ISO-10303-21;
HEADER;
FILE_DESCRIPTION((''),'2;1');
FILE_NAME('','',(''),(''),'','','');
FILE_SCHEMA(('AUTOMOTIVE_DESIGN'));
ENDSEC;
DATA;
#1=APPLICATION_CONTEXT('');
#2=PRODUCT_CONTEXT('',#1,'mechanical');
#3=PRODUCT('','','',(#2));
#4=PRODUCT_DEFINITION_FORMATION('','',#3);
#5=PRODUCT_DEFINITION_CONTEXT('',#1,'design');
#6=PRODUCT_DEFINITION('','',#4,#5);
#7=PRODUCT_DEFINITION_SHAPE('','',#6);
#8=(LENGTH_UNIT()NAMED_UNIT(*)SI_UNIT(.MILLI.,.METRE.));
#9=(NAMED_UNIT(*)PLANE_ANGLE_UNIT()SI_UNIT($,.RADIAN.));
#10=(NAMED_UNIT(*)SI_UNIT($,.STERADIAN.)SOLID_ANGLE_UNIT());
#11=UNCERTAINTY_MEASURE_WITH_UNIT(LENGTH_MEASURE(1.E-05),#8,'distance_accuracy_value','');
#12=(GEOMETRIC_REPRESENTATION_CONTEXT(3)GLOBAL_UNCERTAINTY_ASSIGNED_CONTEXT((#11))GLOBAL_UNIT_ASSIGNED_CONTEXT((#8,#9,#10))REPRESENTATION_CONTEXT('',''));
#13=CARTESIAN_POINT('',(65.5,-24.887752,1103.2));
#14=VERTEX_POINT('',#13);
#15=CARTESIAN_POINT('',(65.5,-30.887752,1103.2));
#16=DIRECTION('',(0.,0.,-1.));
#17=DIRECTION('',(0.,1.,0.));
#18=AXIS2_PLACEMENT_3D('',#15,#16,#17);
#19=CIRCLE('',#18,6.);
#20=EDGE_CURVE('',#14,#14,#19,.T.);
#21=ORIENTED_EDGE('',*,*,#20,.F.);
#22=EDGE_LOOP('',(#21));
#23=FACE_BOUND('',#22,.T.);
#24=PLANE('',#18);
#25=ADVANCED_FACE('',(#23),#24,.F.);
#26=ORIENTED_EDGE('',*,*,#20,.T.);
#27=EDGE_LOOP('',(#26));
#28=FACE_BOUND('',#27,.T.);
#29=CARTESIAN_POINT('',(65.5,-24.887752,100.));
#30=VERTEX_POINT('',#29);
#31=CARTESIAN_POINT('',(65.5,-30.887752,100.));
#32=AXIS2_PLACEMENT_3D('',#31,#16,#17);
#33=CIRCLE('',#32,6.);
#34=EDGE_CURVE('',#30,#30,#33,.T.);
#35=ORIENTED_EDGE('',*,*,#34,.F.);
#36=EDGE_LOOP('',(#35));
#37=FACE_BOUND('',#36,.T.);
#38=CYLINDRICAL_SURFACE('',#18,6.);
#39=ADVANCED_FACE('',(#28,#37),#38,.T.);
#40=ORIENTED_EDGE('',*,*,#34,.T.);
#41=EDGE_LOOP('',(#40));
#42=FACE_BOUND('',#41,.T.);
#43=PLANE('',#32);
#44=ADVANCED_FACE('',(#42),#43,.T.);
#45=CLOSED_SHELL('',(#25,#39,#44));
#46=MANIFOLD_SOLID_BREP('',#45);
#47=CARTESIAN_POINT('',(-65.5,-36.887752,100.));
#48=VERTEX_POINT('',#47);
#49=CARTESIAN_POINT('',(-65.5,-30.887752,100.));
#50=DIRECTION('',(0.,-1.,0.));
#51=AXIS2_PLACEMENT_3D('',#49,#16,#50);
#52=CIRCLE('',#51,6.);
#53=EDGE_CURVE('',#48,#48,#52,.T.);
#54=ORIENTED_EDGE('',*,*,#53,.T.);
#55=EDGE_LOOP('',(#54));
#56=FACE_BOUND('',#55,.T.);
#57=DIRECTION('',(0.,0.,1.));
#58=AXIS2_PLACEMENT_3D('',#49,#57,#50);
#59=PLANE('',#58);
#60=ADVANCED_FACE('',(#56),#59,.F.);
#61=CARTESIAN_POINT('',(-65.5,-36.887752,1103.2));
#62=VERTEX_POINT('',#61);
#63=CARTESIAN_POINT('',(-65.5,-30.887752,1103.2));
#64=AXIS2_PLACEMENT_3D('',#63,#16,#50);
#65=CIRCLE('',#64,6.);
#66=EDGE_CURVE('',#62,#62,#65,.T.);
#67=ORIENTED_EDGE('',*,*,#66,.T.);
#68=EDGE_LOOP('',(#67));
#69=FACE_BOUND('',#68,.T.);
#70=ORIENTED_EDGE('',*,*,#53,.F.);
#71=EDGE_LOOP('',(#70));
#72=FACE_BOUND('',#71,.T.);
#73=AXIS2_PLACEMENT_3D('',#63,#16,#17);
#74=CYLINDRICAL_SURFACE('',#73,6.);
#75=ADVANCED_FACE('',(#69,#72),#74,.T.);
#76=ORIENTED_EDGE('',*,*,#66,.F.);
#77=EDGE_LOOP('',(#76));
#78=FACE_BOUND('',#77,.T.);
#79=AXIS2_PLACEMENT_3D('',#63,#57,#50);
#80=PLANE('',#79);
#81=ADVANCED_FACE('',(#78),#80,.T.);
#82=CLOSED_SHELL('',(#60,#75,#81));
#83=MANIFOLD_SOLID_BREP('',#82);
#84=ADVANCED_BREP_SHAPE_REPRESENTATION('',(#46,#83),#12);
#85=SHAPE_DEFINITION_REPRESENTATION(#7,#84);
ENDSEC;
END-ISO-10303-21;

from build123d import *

# Parameters (mm, degrees)
BOSS_EXTRUDE2_DEPTH        = 100
BOSS_EXTRUDE2_DEPTH_BACK   = 903.2
SKETCH1_R                  = 6
BOSS_EXTRUDE2_2_DEPTH      = 100
BOSS_EXTRUDE2_2_DEPTH_BACK = 903.2


with BuildPart() as part:
    # Sketch1 → Boss-Extrude2 (new, two sides: drawn at the far end of the back side and taken through both)
    with BuildSketch(Plane(origin=(0, 0, 200), x_dir=(-1, 0, 0), z_dir=(0, 0, -1)).offset(-BOSS_EXTRUDE2_DEPTH_BACK)):
        with Locations(Location((-65.5, -30.887752409, 0), (0, 0, 90))):
            Circle(SKETCH1_R)
    extrude(amount=BOSS_EXTRUDE2_DEPTH + BOSS_EXTRUDE2_DEPTH_BACK)


with BuildPart() as body_2:
    # Sketch1 → Boss-Extrude2 2 (new, two sides: drawn at the far end of the back side and taken through both)
    with BuildSketch(Plane(origin=(0, 0, 200), x_dir=(-1, 0, 0), z_dir=(0, 0, -1)).offset(-BOSS_EXTRUDE2_2_DEPTH_BACK)):
        with Locations(Location((65.5, -30.887752409, 0), (0, 0, 270))):
            Circle(SKETCH1_R)
    extrude(amount=BOSS_EXTRUDE2_2_DEPTH + BOSS_EXTRUDE2_2_DEPTH_BACK)


solid = Compound([part.part, body_2.part])
